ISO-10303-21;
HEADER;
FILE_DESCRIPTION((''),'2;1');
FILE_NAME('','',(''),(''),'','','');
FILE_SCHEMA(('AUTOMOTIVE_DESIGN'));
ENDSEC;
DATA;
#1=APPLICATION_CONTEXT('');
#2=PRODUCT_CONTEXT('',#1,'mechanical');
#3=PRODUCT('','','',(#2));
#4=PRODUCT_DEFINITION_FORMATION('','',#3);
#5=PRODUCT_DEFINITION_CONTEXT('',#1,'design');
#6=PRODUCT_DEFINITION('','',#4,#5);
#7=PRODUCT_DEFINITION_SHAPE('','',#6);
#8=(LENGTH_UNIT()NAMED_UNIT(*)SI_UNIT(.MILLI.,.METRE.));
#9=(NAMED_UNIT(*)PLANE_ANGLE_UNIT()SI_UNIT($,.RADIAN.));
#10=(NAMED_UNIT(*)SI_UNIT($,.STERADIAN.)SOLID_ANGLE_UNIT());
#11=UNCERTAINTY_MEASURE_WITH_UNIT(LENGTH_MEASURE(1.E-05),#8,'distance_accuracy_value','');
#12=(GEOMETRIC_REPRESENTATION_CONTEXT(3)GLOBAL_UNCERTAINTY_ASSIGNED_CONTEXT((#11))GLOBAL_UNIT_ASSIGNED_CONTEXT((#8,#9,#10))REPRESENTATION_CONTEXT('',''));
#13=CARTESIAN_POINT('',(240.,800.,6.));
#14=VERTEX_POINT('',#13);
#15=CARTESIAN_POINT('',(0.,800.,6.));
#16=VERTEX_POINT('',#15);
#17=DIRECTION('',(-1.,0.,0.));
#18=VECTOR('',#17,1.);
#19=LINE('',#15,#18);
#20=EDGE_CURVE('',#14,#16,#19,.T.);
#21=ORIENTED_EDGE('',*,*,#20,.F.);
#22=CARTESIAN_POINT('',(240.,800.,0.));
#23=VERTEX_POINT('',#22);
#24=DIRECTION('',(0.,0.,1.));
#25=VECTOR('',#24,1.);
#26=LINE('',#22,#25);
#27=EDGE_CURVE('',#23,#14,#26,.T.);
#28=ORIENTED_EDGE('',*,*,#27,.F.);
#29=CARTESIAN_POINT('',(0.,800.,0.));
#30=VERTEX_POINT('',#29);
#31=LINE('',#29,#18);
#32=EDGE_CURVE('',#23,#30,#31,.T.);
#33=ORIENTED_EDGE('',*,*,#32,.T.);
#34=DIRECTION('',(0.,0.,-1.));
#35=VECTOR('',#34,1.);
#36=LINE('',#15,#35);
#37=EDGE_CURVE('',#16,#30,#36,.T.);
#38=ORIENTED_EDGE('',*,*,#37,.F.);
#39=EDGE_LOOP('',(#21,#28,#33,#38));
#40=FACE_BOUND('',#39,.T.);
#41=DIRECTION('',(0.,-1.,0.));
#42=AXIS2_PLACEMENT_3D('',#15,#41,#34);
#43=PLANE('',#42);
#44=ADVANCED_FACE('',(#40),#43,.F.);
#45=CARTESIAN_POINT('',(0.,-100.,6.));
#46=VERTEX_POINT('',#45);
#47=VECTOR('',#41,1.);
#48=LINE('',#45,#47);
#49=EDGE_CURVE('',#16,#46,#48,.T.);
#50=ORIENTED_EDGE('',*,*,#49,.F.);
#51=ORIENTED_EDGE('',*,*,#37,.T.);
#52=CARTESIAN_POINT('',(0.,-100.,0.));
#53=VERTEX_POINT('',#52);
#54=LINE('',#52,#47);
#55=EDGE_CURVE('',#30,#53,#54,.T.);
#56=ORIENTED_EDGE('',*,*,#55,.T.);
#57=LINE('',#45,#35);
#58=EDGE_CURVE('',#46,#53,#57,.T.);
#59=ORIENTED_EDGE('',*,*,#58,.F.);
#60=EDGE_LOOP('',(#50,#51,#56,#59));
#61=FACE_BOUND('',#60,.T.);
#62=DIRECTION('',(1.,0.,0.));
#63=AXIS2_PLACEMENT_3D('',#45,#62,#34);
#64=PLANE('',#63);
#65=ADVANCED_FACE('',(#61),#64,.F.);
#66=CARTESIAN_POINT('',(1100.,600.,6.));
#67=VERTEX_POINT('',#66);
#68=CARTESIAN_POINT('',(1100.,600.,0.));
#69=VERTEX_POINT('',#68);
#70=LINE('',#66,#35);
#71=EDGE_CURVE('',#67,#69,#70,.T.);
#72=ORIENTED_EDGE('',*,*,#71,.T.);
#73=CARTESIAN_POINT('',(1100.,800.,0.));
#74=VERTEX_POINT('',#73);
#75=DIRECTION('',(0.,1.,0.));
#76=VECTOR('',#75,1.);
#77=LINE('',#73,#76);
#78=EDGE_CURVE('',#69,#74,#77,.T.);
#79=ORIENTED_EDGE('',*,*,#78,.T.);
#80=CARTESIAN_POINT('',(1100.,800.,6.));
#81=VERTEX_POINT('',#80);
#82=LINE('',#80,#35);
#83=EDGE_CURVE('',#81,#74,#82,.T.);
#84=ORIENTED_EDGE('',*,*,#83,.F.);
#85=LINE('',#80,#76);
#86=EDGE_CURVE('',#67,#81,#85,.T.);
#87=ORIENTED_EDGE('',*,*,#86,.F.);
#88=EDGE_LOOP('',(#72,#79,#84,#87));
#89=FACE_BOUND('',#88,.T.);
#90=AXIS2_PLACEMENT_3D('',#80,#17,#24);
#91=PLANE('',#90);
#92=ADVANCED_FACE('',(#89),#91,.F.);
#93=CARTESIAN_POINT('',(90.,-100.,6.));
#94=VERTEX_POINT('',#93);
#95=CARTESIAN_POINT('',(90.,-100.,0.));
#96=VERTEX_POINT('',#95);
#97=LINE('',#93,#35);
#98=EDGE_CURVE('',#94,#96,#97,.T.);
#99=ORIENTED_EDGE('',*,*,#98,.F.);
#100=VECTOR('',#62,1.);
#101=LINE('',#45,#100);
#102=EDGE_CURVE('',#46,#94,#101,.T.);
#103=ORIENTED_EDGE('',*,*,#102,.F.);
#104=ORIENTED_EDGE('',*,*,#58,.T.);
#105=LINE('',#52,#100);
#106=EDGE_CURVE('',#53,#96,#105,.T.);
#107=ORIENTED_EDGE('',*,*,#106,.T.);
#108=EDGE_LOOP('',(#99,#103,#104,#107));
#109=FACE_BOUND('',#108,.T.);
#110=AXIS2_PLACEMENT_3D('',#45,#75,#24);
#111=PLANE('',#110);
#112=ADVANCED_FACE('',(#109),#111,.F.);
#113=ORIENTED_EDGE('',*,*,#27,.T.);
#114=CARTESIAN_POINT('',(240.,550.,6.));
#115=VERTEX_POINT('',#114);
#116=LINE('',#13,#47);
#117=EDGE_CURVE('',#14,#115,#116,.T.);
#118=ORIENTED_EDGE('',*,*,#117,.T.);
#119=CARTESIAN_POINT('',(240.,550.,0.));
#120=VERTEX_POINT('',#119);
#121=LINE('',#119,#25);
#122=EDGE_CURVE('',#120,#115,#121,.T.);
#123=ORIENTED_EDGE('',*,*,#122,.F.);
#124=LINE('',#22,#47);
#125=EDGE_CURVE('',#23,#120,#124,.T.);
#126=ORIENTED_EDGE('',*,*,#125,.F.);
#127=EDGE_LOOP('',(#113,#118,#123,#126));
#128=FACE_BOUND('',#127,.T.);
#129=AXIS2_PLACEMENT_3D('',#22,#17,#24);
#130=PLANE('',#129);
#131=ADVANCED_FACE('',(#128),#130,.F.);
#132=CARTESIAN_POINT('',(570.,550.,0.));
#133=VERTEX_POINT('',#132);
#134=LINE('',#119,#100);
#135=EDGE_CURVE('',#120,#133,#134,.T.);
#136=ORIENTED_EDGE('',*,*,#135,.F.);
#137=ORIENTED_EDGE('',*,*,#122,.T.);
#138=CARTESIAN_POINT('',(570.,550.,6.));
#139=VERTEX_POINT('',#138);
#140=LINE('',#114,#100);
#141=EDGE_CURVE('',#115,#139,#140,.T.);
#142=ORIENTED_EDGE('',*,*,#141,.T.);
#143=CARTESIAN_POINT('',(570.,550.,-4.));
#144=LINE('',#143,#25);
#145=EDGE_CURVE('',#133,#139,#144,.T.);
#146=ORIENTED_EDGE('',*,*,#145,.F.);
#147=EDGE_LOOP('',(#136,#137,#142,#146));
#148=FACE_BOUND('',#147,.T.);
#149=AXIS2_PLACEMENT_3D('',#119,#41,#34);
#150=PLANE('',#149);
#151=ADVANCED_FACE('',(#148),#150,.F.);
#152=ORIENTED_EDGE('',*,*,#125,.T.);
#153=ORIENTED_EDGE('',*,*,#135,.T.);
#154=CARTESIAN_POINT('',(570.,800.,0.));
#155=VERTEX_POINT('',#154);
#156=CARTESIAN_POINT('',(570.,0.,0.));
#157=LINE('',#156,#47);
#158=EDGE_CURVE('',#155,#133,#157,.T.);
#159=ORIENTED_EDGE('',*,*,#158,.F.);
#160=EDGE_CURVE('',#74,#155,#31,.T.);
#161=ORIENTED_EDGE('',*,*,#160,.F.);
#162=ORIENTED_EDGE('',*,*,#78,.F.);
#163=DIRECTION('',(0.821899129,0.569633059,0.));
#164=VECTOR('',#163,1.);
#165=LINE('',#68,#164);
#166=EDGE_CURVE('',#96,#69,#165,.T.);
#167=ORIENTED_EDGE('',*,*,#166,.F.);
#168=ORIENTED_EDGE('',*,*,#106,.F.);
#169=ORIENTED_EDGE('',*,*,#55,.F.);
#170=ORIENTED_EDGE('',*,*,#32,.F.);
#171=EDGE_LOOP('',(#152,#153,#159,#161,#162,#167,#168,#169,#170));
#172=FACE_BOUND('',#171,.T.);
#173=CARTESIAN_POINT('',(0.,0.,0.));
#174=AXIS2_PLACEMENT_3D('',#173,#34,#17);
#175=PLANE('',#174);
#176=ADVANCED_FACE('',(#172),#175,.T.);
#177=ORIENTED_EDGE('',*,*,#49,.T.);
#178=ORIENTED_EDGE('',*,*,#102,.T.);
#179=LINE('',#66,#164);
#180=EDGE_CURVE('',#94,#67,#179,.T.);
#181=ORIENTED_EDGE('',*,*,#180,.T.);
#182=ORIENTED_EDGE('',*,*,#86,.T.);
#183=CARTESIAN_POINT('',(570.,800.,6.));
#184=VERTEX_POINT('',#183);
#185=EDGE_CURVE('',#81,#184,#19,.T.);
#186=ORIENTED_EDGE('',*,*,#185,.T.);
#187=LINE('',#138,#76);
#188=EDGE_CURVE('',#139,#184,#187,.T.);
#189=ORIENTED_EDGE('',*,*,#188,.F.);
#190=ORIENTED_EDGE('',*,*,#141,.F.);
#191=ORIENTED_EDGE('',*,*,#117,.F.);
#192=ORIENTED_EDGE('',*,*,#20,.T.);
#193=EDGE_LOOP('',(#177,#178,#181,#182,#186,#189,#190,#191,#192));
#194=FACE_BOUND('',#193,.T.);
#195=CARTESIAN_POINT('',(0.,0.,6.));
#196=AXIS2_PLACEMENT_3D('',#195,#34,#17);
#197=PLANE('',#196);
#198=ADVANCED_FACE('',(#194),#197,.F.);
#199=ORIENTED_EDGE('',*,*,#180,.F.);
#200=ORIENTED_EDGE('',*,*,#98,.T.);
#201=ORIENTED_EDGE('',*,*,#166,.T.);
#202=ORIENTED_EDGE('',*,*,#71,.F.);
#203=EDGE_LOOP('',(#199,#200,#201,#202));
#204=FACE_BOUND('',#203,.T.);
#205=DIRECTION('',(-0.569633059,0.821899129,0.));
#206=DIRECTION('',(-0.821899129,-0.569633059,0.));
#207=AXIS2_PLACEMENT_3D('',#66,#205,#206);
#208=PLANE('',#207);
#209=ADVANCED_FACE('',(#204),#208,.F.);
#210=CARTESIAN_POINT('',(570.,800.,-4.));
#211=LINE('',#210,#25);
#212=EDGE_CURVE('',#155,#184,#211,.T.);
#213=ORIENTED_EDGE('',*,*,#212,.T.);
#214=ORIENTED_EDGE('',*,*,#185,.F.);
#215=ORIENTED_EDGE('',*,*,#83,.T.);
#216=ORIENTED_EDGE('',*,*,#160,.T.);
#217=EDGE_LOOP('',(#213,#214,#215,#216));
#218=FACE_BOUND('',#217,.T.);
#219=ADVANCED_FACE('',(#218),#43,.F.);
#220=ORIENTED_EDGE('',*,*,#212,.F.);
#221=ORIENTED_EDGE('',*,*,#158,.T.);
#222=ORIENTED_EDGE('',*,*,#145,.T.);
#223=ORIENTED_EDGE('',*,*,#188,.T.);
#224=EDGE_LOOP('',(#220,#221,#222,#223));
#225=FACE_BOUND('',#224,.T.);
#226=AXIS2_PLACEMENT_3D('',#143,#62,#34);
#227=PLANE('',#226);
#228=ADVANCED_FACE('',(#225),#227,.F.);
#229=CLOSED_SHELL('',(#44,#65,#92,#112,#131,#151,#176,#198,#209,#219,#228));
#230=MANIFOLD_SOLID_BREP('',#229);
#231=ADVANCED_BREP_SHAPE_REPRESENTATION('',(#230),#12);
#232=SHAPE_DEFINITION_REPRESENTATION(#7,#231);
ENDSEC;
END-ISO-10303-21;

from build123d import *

# Parameters (mm, degrees)
EXTRUDE_1_DEPTH     = 6
SKETCH_2_W          = 250
SKETCH_2_H          = 250
CUT_EXTRUDE_1_DEPTH = 1361.160284672
SKETCH_3_W          = 80
SKETCH_3_H          = 250
CUT_EXTRUDE_2_DEPTH = 10


with BuildPart() as part:
    # 草图1 → 凸台-拉伸1 (new body)
    with BuildSketch(Plane.XY):
        Polygon((0, -100), (0, 800), (1100, 800), (1100, 600), (90, -100), align=None)
    extrude(amount=EXTRUDE_1_DEPTH)

    # 草图2 → 切除-拉伸1 (cut, through all)
    with BuildSketch(Plane.XY.offset(6)):
        with Locations((365, 675)):
            Rectangle(SKETCH_2_W, SKETCH_2_H)
    extrude(amount=-CUT_EXTRUDE_1_DEPTH, mode=Mode.SUBTRACT)

    # 草图3 → 切除-拉伸2 (cut)
    with BuildSketch(Plane.XY.offset(6)):
        with Locations((530, 675)):
            Rectangle(SKETCH_3_W, SKETCH_3_H)
    extrude(amount=-CUT_EXTRUDE_2_DEPTH, mode=Mode.SUBTRACT)


solid = part.part
